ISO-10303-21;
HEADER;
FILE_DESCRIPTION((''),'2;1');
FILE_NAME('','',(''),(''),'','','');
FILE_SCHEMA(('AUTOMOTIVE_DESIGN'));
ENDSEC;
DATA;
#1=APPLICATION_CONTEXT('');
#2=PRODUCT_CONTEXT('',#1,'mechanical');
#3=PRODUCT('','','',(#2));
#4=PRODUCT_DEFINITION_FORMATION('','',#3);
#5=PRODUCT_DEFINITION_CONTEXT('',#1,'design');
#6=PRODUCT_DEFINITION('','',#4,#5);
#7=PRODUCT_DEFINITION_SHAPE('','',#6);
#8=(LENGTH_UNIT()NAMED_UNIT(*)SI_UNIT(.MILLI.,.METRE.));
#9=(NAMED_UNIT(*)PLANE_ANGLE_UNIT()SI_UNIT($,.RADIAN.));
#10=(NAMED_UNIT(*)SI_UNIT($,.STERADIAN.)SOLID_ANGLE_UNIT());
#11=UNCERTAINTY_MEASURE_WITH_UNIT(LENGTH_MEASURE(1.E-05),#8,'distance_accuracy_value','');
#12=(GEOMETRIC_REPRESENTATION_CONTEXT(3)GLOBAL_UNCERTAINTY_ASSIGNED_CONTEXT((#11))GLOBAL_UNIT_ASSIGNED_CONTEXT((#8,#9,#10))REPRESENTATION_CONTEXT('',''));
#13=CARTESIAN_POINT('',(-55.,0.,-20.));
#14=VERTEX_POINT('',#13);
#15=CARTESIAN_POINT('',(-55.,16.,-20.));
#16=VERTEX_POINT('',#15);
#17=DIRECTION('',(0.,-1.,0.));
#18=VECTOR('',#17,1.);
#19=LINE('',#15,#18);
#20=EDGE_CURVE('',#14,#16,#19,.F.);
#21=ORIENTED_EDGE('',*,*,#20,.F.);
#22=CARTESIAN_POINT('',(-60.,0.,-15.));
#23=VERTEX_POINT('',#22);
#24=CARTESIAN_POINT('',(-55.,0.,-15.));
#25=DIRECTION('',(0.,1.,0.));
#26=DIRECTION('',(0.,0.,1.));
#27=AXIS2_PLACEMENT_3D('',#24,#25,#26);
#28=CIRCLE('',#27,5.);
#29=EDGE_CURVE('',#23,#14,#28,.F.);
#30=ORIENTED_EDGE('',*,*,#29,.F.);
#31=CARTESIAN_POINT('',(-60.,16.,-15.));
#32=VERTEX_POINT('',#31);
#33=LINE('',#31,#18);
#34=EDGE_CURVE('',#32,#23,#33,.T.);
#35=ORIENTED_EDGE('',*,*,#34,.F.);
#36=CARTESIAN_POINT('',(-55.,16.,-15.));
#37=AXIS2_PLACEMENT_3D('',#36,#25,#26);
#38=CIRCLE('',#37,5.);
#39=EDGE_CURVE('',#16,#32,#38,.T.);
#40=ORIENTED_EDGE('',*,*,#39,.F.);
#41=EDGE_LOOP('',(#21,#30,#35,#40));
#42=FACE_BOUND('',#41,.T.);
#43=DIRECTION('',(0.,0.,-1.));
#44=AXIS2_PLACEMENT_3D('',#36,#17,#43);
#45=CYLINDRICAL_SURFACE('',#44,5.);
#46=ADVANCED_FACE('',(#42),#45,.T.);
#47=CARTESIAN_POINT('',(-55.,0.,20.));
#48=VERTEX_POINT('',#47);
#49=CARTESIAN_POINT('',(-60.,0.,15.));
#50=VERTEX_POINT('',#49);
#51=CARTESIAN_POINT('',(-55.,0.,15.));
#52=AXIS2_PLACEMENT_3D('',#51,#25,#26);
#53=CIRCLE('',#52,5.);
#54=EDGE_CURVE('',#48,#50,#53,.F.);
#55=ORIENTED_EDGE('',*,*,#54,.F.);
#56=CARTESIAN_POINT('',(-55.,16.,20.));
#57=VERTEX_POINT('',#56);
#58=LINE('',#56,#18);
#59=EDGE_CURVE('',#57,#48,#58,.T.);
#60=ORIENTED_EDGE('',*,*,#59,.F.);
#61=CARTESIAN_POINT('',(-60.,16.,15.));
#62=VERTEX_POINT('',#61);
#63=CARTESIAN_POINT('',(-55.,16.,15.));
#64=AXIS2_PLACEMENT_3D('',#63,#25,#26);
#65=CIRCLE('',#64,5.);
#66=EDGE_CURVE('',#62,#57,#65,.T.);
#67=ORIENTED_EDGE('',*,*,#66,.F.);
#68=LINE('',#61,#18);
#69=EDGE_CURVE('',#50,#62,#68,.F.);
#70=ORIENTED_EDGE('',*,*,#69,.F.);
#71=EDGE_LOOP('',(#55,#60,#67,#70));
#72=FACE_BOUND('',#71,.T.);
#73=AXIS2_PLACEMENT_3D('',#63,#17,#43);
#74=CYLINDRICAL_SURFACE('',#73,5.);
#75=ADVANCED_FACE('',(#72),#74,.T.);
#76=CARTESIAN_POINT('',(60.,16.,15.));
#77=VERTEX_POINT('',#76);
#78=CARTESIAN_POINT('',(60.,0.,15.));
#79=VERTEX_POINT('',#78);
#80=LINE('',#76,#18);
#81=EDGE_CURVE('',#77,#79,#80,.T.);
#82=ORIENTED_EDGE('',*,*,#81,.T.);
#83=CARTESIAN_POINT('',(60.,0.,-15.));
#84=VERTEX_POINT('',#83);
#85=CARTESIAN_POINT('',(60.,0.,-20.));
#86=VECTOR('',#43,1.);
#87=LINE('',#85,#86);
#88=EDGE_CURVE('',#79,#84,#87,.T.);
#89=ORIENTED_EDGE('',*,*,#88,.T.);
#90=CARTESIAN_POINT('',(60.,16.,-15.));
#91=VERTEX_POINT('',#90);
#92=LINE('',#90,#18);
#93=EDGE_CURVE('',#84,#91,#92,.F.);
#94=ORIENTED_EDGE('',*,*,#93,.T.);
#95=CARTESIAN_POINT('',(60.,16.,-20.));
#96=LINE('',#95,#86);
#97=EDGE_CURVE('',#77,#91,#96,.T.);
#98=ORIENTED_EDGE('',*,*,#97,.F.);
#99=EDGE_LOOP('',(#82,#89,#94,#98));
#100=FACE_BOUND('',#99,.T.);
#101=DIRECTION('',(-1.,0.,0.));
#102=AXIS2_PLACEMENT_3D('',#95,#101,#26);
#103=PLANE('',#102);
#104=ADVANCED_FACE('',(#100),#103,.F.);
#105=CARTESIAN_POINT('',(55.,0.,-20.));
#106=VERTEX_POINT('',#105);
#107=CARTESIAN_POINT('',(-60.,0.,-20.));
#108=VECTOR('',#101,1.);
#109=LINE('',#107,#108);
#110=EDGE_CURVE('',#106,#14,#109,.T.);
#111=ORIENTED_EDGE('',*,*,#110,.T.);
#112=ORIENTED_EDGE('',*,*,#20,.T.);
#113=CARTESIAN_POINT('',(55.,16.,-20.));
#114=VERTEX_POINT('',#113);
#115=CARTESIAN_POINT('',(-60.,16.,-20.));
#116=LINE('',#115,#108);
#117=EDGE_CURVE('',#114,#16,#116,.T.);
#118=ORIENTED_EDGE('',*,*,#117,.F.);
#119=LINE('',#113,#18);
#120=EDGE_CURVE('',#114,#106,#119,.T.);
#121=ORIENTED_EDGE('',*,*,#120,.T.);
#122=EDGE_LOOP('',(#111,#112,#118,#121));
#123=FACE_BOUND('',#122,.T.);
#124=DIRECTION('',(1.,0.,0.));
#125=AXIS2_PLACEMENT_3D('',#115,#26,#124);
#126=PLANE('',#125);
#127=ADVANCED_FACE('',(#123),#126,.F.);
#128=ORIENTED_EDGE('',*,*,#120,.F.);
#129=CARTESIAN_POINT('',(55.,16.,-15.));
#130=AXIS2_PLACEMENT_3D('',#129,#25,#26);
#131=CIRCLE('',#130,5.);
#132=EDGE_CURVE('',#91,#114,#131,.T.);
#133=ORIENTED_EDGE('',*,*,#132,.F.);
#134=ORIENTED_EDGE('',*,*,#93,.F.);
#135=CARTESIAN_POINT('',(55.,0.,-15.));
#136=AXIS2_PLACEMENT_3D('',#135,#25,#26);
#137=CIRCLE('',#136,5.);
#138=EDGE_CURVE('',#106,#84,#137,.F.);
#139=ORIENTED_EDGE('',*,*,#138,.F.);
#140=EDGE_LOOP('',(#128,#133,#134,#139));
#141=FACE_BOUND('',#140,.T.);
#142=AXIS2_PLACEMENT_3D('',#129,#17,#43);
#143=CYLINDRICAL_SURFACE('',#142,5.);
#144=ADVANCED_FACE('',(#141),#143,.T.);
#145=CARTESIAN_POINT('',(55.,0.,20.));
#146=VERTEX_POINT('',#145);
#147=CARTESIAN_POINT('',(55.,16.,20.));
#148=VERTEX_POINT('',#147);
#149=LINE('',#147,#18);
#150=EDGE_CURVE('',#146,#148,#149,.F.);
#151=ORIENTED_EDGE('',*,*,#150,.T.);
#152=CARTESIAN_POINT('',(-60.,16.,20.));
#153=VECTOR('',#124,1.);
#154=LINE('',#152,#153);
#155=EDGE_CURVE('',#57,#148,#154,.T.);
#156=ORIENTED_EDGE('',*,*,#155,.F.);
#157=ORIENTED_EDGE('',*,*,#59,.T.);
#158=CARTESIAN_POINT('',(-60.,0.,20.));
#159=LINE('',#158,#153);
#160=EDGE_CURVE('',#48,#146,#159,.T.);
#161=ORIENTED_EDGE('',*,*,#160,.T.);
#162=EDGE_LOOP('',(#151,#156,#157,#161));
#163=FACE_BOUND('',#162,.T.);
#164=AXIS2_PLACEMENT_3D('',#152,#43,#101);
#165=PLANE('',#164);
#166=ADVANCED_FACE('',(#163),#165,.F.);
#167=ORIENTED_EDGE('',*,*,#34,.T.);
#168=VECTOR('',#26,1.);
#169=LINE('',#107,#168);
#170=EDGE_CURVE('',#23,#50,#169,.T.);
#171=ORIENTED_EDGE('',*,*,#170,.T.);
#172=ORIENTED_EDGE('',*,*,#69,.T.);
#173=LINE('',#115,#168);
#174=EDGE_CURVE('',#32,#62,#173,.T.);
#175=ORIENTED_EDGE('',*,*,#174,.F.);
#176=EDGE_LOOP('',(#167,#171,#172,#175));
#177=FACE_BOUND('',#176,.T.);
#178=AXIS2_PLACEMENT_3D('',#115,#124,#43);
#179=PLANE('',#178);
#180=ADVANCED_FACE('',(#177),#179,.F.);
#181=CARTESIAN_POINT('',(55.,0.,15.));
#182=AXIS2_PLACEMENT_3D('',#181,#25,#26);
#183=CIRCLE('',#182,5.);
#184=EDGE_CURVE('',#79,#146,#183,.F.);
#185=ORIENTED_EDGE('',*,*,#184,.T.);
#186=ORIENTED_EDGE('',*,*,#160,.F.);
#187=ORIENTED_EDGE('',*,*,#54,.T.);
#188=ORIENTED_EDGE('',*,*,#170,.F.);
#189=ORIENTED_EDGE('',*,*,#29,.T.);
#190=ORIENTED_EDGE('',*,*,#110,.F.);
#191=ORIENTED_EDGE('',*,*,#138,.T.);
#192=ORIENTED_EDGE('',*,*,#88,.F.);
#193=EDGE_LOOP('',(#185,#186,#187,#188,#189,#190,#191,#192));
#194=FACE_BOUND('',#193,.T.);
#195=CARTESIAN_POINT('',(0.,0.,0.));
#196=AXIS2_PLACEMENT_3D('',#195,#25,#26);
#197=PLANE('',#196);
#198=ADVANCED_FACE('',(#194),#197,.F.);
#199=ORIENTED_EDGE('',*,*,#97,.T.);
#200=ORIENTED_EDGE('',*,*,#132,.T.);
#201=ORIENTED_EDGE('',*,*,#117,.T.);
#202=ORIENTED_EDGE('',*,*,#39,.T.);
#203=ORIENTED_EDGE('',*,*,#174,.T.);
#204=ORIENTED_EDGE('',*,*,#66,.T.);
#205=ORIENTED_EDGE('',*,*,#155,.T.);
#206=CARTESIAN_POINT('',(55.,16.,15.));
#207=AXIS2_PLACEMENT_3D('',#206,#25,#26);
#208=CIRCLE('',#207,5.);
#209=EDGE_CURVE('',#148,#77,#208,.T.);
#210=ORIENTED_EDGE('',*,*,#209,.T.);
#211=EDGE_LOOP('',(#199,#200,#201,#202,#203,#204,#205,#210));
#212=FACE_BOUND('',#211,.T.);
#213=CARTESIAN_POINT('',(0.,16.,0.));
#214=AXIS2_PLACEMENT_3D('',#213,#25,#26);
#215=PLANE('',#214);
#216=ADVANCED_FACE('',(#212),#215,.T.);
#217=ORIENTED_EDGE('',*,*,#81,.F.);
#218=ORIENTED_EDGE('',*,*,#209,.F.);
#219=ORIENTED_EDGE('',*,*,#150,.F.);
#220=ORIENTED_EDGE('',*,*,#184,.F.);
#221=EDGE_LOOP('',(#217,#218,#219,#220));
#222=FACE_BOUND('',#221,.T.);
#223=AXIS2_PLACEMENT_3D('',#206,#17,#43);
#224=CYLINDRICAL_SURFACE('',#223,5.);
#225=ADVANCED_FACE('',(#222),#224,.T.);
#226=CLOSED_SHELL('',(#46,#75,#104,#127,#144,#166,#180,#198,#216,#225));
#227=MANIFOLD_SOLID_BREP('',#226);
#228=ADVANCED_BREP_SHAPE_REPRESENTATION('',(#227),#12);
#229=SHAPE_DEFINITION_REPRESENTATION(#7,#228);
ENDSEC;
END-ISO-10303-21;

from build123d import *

# Parameters (mm, degrees)
CROQUIS1_W              = 120
CROQUIS1_H              = 40
SALIENTE_EXTRUIR1_DEPTH = 16
REDONDEO1_R             = 5


with BuildPart() as part:
    # Croquis1 → Saliente-Extruir1 (new body)
    with BuildSketch(Plane(origin=(0, 0, 0), x_dir=(1, 0, 0), z_dir=(0, 1, 0))):
        Rectangle(CROQUIS1_W, CROQUIS1_H)
    extrude(amount=SALIENTE_EXTRUIR1_DEPTH)

    # Redondeo1
    redondeo1_edges = [part.edges().sort_by_distance(p)[0] for p in [
        (60, 8, 20),
        (-60, 8, 20),
        (-60, 8, -20),
        (60, 8, -20),
    ]]
    fillet(redondeo1_edges, radius=REDONDEO1_R)


solid = part.part
